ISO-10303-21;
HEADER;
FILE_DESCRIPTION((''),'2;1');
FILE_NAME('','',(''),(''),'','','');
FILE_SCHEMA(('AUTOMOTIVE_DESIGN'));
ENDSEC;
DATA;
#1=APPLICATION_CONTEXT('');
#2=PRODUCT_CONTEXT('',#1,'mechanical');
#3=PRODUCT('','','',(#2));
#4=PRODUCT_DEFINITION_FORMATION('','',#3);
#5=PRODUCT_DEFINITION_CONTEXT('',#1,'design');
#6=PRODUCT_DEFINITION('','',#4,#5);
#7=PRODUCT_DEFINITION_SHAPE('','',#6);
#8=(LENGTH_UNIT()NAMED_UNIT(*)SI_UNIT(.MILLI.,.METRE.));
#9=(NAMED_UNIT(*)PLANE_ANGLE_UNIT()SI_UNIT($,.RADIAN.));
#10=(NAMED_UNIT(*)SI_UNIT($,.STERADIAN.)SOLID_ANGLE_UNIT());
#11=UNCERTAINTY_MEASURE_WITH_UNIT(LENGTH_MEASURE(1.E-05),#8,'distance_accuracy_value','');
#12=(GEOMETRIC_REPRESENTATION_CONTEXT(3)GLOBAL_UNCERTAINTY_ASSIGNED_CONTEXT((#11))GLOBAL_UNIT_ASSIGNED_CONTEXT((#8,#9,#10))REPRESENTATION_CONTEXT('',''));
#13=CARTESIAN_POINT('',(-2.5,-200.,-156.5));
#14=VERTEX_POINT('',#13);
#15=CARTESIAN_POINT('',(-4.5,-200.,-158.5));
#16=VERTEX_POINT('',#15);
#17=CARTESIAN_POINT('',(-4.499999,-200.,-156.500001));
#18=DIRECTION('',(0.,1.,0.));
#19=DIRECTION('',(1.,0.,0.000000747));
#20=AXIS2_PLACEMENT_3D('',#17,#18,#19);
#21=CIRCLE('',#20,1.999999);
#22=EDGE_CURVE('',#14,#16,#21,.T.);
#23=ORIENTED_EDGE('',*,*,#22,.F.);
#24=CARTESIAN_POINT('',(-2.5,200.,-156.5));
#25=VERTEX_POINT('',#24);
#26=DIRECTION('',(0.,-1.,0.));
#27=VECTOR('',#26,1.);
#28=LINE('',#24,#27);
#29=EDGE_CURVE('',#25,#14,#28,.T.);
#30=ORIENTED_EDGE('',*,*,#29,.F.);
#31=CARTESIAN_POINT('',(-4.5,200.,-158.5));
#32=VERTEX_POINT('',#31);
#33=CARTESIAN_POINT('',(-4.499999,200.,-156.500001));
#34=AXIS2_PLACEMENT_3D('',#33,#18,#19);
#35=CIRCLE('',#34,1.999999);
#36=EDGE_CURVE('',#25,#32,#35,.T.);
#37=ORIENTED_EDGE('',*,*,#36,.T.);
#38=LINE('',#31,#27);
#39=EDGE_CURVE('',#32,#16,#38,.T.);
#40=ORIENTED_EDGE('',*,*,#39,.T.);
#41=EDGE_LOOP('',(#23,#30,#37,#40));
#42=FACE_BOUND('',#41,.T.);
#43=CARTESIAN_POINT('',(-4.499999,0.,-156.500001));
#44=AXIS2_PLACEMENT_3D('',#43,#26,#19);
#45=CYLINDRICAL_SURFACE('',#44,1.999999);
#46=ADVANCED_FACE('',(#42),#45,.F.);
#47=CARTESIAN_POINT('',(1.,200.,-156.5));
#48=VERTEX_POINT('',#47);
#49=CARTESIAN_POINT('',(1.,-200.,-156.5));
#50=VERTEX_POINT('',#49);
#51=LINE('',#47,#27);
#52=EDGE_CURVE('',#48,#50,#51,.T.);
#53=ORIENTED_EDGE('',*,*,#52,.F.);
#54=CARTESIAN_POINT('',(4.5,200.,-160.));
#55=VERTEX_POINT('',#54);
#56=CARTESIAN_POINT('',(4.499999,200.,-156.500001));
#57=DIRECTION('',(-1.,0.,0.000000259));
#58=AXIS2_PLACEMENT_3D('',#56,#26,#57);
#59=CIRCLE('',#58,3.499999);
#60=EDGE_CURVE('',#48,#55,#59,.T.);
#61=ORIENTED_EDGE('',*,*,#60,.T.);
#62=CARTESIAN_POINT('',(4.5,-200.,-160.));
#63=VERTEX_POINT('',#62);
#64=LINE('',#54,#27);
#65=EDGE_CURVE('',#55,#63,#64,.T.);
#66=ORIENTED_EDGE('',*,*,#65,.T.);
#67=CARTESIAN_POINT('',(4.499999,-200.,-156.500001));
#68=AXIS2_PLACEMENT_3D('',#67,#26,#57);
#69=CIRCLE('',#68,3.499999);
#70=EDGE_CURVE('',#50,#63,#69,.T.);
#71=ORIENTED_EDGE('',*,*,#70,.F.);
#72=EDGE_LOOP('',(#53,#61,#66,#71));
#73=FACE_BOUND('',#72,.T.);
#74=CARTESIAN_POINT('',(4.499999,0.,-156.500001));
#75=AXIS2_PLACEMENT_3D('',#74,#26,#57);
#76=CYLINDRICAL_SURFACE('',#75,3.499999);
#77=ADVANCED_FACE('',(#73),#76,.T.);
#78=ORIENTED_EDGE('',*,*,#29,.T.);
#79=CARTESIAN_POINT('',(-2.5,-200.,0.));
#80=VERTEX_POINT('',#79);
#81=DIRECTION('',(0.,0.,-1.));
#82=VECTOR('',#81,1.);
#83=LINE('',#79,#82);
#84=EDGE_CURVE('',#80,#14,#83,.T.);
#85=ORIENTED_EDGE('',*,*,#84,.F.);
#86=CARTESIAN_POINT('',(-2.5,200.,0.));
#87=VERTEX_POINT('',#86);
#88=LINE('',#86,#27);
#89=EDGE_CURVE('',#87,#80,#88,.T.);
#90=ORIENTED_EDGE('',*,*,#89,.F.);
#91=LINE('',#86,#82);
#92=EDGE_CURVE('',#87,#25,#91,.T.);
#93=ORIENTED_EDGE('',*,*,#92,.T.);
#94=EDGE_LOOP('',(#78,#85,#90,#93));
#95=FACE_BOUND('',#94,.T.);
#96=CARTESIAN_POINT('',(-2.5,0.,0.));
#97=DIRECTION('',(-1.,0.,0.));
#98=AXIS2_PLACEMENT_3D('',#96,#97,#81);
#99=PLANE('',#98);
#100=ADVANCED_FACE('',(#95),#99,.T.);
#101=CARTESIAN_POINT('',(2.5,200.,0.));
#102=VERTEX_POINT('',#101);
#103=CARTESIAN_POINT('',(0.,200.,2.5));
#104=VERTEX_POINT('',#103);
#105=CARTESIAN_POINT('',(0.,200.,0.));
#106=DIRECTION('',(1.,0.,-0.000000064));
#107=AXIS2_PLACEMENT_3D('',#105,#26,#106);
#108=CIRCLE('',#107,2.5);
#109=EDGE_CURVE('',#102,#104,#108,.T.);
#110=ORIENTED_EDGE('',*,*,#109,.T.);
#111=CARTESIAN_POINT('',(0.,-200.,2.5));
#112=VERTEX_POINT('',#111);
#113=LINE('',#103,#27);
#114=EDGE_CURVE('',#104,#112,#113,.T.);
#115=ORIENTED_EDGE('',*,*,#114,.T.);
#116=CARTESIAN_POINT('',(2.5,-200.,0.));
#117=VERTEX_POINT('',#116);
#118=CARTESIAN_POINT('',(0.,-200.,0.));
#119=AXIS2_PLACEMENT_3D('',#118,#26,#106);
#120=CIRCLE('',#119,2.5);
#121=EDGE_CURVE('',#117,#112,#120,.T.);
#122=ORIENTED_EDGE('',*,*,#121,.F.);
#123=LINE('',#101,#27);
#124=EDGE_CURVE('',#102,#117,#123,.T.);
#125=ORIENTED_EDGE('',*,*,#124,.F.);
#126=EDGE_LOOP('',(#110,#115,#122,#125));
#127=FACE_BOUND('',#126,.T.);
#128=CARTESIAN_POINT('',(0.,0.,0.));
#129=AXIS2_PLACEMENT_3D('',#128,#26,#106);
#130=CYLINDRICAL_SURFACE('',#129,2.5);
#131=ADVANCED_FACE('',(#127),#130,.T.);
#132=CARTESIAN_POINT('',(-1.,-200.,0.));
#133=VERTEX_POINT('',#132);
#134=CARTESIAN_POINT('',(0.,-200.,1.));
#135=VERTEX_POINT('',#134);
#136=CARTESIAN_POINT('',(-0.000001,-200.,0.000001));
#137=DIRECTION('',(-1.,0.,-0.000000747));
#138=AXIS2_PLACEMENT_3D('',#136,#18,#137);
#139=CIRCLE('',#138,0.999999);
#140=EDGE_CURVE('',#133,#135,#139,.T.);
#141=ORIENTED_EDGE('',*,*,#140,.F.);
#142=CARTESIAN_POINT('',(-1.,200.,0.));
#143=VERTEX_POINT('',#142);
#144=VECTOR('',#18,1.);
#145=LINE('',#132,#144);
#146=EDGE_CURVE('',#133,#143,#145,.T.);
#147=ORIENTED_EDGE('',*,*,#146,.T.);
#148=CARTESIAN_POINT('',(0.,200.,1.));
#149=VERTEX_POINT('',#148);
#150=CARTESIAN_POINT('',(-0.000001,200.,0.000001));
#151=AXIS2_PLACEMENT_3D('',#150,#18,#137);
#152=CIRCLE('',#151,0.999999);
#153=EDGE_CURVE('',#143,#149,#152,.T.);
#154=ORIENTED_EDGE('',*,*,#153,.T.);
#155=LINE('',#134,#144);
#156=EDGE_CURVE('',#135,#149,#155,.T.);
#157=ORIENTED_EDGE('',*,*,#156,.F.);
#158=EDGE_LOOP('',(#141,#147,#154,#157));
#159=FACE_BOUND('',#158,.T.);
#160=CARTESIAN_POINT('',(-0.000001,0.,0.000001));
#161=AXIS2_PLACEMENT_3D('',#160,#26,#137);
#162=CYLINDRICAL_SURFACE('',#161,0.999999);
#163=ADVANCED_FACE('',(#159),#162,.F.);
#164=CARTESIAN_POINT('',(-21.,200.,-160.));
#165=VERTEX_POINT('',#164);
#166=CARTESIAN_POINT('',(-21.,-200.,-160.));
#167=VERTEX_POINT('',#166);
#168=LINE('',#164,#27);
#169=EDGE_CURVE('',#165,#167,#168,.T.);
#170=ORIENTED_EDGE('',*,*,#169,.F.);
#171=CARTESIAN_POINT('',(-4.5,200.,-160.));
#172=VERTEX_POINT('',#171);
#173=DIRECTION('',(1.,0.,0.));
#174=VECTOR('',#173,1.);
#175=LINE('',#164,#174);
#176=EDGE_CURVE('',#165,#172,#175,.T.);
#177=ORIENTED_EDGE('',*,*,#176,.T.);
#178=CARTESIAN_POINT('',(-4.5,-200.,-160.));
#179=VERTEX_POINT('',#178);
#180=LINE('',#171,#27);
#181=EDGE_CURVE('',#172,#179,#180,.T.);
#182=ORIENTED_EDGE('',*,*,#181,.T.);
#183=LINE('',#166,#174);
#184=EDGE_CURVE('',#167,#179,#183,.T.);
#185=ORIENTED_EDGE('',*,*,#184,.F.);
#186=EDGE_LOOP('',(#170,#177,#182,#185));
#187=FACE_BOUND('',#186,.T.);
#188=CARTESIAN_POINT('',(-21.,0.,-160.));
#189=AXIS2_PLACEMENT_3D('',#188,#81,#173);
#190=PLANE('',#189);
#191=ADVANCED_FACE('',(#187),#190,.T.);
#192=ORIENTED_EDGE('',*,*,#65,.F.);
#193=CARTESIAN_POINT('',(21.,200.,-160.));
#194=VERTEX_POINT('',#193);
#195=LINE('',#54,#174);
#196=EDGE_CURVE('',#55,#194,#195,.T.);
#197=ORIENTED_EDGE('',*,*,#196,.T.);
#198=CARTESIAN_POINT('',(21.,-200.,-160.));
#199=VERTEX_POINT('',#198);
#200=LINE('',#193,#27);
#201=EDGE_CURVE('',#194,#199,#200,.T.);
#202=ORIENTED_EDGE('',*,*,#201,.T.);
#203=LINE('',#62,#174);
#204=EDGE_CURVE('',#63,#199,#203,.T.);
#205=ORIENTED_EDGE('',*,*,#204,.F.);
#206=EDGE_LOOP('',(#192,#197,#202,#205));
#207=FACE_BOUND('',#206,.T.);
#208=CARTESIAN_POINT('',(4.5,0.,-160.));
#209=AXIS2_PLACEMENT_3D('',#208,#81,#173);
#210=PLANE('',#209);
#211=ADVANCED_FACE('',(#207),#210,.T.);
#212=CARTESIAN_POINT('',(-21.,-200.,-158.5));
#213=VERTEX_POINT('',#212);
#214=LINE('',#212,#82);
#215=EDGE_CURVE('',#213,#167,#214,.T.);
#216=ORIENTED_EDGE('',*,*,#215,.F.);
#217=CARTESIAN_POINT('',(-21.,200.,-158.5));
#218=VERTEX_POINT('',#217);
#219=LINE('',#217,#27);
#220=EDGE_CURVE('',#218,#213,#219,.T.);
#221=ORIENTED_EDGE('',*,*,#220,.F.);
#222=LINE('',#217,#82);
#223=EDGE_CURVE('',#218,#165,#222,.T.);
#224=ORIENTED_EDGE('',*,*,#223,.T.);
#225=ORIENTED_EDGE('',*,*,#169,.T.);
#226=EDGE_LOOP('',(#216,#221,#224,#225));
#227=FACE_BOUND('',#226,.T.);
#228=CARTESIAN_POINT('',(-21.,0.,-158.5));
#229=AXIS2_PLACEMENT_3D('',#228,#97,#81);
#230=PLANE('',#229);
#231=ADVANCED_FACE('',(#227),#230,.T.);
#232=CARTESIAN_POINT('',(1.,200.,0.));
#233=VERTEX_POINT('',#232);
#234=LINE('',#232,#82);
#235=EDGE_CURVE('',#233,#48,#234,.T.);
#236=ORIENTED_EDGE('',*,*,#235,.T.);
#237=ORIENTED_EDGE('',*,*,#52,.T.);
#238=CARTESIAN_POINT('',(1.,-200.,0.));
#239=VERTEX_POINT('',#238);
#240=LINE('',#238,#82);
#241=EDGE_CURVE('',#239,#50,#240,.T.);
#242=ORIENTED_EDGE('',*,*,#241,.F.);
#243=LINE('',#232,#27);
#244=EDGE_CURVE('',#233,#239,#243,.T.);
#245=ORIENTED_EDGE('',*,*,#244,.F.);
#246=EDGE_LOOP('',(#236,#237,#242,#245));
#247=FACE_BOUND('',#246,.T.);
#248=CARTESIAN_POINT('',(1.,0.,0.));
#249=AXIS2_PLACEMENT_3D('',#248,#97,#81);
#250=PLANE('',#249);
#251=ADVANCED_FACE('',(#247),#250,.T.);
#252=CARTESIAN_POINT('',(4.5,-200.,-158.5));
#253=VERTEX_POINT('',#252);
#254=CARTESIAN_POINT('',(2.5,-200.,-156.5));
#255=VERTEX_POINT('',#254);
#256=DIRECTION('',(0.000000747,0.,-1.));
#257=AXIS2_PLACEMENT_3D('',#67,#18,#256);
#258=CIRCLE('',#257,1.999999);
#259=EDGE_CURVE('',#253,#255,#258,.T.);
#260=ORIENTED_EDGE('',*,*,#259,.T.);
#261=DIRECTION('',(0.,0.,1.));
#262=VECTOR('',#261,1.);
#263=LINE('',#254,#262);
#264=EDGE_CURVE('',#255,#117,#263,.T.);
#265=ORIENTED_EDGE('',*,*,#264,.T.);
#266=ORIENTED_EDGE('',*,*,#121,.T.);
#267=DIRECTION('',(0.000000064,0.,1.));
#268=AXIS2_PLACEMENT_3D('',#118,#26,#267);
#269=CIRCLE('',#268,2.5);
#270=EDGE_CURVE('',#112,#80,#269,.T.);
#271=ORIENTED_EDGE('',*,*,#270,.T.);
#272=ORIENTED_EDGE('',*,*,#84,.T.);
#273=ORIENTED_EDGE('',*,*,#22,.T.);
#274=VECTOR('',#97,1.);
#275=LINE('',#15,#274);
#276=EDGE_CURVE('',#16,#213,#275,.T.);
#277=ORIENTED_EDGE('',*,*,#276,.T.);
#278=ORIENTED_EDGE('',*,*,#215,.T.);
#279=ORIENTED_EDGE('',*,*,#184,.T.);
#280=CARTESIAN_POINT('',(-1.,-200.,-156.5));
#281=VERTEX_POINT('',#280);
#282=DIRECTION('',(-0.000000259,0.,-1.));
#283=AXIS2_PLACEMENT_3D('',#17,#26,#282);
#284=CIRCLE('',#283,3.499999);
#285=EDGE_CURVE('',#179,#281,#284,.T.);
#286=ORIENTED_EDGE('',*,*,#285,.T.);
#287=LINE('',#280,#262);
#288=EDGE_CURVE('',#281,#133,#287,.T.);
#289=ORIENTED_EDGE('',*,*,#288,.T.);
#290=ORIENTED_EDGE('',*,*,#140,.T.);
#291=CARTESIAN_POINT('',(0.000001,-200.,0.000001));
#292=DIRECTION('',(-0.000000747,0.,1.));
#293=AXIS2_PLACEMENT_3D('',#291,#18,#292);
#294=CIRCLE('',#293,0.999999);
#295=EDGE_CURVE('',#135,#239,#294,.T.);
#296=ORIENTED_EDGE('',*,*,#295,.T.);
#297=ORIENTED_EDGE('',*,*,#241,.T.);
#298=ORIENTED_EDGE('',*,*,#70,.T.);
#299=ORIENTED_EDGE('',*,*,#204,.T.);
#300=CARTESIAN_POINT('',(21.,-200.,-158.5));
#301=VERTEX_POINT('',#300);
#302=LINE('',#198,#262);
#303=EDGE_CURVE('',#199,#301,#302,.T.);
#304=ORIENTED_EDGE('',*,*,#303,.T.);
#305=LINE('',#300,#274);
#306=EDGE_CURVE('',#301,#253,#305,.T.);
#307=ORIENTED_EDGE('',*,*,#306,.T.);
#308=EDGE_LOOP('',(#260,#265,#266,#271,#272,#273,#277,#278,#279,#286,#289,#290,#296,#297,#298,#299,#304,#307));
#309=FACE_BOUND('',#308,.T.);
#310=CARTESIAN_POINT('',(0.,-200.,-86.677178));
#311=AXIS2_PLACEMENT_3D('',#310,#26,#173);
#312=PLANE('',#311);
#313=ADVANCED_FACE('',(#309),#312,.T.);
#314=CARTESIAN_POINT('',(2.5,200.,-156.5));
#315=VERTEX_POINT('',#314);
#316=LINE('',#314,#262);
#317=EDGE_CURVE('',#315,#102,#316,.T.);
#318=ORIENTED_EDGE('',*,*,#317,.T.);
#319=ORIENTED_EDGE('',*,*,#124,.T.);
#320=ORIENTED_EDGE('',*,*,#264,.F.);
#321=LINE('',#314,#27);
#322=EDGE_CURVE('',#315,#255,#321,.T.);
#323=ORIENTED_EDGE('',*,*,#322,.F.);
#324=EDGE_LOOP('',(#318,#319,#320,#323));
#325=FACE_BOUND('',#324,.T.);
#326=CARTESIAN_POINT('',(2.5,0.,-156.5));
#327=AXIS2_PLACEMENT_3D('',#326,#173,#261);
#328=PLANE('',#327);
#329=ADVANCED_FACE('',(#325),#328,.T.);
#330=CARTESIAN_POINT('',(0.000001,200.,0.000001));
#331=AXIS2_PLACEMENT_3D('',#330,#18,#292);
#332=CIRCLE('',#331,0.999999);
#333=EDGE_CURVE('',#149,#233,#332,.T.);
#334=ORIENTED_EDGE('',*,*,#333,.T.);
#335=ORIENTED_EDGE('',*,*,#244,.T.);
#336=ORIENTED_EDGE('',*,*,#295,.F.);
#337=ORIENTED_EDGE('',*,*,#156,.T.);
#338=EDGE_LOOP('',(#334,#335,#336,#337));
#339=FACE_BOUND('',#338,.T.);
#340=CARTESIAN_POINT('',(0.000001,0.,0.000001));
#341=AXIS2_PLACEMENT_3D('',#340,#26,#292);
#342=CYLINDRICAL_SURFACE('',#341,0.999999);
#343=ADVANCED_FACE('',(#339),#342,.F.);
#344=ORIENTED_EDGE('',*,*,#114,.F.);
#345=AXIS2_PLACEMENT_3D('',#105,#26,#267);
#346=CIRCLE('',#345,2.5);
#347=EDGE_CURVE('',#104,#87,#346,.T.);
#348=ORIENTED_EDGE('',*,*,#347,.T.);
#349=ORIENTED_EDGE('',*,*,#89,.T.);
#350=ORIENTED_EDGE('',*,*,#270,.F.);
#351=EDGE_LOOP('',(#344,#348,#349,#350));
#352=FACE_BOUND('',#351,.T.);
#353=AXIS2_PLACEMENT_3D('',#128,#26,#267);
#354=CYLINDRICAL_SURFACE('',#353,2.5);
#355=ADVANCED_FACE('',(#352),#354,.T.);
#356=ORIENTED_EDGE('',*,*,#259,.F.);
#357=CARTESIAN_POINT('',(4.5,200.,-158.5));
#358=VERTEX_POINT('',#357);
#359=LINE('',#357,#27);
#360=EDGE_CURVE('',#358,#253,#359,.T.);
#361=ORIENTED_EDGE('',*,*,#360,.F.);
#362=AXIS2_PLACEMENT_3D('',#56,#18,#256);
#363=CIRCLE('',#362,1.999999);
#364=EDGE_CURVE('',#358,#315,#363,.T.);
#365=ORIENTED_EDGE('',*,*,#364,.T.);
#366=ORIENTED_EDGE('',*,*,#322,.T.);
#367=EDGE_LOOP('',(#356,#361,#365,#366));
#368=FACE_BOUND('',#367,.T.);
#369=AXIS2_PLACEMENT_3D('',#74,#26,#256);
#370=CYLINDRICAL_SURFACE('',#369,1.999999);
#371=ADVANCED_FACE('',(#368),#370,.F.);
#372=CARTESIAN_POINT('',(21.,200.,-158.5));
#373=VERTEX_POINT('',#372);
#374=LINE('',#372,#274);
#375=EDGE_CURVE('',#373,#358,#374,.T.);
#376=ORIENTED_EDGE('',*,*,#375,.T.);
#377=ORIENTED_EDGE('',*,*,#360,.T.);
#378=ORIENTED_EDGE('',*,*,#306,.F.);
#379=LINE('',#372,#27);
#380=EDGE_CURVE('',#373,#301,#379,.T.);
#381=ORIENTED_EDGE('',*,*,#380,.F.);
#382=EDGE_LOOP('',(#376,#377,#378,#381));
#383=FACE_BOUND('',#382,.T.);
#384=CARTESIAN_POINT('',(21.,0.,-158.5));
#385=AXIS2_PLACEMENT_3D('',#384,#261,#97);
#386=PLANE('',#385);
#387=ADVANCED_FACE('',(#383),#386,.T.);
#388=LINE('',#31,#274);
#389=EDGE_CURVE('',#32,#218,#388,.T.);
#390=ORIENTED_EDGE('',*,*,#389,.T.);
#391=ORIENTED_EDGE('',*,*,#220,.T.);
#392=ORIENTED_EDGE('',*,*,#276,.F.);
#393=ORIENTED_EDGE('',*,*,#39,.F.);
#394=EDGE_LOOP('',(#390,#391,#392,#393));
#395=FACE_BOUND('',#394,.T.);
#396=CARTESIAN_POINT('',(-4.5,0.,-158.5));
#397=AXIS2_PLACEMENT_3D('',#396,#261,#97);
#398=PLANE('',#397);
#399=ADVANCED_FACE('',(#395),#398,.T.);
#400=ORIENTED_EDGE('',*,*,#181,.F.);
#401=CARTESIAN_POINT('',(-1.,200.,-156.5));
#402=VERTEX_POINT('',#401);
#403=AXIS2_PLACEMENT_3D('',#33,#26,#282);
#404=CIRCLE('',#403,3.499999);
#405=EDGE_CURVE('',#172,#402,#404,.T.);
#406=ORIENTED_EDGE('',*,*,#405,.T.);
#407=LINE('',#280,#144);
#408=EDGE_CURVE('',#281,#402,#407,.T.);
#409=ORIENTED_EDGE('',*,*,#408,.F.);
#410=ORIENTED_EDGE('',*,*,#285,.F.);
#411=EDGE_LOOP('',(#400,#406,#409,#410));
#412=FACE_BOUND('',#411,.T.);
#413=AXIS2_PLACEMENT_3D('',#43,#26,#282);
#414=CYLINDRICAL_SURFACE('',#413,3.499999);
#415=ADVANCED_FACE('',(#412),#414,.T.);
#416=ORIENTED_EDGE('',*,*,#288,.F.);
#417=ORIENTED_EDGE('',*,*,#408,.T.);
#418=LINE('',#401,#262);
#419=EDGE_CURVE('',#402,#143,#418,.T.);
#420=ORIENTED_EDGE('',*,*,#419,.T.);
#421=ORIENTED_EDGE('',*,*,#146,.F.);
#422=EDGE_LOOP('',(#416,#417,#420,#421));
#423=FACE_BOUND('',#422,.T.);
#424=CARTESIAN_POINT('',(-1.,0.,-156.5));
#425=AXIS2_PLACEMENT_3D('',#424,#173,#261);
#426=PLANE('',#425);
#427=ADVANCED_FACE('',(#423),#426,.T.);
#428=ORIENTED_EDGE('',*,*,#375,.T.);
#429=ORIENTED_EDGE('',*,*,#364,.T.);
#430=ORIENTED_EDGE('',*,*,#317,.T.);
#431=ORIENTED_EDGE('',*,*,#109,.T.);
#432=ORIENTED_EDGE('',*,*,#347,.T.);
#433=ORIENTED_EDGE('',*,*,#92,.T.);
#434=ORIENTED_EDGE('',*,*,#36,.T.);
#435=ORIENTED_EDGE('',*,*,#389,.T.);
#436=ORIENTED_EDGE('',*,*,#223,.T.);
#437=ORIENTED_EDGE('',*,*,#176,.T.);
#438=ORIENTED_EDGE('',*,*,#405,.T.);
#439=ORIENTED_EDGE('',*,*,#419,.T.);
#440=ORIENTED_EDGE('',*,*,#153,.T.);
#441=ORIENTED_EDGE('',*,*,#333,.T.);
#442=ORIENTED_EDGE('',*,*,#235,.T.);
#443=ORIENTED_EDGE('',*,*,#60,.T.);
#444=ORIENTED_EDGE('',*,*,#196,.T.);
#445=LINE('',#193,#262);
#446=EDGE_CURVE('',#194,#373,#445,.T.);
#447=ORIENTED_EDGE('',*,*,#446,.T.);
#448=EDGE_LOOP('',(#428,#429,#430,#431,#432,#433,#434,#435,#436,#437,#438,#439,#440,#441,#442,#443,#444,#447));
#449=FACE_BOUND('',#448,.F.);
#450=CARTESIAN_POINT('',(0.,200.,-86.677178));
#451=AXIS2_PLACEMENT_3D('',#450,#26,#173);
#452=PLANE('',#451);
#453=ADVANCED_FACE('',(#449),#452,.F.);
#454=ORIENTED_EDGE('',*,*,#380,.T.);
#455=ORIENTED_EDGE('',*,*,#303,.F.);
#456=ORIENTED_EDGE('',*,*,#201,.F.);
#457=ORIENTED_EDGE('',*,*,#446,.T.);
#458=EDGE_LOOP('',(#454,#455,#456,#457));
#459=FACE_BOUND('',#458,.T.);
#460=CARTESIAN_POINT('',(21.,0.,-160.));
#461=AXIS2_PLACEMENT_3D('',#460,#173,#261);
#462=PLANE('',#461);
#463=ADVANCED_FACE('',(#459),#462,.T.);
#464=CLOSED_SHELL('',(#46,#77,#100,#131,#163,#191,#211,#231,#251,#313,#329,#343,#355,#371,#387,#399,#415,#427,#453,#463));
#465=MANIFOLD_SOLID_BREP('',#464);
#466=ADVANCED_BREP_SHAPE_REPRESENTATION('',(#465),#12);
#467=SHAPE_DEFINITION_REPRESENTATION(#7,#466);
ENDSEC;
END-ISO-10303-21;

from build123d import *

# Parameters (mm, degrees)
F1_DEPTH = 200


with BuildPart() as f1:
    # F0 (on Front) → F1 (new body, symmetric)
    with BuildSketch(Plane.XZ):
        with BuildLine():
            ThreePointArc((0, 1), (0.707107, 0.707107), (1, 0))
            Line((1, 0), (1, -156.5))
            ThreePointArc((1, -156.5), (2.025126, -158.974874), (4.5, -160))
            Line((4.5, -160), (21, -160))
            Line((21, -160), (21, -158.5))
            Line((21, -158.5), (4.5, -158.5))
            ThreePointArc((4.5, -158.5), (3.085786, -157.914214), (2.5, -156.5))
            Line((2.5, -156.5), (2.5, 0))
            ThreePointArc((2.5, 0), (1.767767, 1.767767), (0, 2.5))
            ThreePointArc((0, 2.5), (-1.767767, 1.767767), (-2.5, 0))
            Line((-2.5, 0), (-2.5, -156.5))
            ThreePointArc((-2.5, -156.5), (-3.085786, -157.914214), (-4.5, -158.5))
            Line((-4.5, -158.5), (-21, -158.5))
            Line((-21, -158.5), (-21, -160))
            Line((-21, -160), (-4.5, -160))
            ThreePointArc((-4.5, -160), (-2.025126, -158.974874), (-1, -156.5))
            Line((-1, -156.5), (-1, 0))
            ThreePointArc((-1, 0), (-0.707107, 0.707107), (0, 1))
        make_face()
    extrude(amount=F1_DEPTH, both=True)


solid = f1.part
